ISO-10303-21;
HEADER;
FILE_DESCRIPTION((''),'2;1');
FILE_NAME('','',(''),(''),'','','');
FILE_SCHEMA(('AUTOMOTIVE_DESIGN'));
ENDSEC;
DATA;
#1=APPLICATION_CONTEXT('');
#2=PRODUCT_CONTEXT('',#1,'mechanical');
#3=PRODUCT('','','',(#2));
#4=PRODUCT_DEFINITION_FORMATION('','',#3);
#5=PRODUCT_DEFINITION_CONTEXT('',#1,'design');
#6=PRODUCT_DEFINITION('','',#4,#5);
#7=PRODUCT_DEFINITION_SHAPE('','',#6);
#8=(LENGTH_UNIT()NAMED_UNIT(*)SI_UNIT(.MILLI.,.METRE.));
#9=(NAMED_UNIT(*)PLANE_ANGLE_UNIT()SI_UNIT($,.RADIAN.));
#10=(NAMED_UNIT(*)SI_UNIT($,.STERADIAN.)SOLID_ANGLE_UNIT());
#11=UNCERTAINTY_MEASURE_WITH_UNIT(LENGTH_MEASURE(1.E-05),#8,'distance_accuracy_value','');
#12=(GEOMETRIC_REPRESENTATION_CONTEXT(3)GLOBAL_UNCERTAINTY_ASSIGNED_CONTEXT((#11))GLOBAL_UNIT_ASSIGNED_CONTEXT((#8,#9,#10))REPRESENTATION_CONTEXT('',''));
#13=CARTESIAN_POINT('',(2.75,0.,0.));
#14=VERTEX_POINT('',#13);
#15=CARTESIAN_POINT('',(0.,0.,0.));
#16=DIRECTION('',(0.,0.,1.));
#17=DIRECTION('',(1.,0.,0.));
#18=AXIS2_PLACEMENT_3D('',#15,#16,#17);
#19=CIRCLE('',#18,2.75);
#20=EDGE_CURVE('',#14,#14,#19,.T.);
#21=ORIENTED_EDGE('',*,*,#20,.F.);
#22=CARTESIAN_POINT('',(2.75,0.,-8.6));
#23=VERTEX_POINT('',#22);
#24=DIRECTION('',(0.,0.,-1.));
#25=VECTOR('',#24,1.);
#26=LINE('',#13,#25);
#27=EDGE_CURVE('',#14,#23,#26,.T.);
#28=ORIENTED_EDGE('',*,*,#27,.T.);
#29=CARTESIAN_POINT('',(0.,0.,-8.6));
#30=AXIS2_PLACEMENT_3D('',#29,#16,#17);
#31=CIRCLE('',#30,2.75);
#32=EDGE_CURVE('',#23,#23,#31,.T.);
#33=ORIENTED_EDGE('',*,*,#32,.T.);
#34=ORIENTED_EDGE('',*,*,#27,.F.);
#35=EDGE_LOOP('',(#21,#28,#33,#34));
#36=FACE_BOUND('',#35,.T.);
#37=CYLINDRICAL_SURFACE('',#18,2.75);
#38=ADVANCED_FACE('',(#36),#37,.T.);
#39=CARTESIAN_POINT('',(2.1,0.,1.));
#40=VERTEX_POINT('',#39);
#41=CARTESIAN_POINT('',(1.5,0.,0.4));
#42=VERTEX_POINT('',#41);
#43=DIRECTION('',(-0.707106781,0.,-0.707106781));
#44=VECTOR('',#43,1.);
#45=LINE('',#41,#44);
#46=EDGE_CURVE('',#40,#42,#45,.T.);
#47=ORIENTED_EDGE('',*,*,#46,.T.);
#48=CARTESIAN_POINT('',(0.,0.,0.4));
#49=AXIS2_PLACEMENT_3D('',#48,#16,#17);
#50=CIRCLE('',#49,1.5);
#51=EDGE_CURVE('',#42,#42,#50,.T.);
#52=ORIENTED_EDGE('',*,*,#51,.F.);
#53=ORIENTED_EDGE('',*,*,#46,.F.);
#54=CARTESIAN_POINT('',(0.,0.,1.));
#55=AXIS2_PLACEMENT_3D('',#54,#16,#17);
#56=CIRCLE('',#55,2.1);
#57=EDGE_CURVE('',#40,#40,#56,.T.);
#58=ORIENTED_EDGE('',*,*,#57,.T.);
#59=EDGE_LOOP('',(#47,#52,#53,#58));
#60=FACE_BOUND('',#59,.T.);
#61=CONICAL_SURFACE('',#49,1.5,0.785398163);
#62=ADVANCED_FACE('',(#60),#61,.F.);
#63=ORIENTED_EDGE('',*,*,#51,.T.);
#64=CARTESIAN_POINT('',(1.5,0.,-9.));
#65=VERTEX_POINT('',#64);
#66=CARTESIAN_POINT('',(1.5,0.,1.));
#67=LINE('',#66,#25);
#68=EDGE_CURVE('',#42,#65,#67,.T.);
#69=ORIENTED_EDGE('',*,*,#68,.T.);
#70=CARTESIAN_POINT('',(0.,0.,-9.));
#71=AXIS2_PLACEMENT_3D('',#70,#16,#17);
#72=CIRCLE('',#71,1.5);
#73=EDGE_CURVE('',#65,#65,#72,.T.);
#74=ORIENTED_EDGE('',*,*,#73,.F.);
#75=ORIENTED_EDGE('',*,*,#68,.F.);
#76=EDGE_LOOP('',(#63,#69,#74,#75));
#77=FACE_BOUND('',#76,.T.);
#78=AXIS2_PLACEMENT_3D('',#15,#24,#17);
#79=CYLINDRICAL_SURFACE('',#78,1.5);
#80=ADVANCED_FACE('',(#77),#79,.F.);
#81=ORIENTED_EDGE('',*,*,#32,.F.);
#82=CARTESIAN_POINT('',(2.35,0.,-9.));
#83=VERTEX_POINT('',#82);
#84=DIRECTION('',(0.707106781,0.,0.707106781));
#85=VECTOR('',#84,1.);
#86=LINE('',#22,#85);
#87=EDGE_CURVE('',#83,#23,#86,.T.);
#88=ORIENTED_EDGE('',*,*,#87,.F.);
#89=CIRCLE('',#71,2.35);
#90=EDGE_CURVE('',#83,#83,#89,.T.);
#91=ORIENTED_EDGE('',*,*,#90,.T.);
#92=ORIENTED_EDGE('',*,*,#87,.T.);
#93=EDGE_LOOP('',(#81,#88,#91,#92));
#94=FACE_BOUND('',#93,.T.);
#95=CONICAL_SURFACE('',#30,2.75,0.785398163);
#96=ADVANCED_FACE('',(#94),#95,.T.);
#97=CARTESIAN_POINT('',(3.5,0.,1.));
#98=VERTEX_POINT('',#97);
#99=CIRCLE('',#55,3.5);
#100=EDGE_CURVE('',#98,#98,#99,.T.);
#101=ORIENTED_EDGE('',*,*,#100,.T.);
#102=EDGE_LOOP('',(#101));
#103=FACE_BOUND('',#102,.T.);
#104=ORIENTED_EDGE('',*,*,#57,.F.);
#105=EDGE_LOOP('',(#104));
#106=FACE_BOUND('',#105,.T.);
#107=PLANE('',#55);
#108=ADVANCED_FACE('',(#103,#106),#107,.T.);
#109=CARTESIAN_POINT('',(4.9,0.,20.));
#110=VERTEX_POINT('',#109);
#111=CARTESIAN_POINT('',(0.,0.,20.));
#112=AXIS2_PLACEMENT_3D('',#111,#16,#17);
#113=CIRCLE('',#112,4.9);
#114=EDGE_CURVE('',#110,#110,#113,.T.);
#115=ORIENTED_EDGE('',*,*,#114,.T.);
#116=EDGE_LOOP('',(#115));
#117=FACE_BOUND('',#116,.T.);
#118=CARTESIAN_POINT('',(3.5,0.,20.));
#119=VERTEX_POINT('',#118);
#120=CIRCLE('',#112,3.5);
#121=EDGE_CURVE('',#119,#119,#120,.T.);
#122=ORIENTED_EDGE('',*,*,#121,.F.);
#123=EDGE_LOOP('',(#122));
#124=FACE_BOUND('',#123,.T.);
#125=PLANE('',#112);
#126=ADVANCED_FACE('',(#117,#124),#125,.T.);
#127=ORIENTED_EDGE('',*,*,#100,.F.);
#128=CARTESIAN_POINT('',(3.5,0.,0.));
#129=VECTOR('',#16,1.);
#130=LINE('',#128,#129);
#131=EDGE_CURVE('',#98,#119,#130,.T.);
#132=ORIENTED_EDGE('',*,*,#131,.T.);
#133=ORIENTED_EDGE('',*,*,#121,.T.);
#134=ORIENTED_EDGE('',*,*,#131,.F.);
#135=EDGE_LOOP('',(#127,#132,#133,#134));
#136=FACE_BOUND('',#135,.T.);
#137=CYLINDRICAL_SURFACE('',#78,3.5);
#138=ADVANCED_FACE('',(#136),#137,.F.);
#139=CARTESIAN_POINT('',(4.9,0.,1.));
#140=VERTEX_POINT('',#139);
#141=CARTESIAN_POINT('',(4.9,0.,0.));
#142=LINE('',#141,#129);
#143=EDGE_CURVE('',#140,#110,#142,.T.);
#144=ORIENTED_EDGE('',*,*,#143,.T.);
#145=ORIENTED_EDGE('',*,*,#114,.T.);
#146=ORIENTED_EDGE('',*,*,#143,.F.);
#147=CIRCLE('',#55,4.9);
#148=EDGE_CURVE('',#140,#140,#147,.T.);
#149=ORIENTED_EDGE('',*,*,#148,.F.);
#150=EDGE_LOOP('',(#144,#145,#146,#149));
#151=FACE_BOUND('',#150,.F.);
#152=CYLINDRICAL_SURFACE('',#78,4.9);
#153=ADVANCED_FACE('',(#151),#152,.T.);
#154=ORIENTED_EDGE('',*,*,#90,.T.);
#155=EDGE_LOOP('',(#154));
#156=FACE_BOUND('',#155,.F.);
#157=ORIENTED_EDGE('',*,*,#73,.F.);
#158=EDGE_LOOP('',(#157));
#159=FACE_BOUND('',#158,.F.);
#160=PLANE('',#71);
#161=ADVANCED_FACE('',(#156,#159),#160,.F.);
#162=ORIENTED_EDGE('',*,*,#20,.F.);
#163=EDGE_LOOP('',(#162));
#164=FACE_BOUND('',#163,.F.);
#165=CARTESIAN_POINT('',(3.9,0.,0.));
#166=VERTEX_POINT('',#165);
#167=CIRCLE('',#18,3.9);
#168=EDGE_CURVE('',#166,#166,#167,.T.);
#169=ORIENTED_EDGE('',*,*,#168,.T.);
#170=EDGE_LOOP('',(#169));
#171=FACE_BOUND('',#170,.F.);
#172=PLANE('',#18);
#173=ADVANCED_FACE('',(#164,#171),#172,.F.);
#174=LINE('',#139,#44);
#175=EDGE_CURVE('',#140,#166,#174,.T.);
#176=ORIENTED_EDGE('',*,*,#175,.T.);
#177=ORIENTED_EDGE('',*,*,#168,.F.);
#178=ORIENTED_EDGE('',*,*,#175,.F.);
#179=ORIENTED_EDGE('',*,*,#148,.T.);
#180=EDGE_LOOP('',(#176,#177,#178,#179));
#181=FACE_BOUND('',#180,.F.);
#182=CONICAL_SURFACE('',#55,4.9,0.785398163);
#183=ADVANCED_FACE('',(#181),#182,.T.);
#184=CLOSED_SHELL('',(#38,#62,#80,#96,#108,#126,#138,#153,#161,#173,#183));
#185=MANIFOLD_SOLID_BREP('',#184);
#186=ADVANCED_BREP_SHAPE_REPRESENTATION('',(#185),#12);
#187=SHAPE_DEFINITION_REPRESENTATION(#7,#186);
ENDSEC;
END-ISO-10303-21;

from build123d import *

# Parameters (mm, degrees)
F0_R     = 2.75
F0_R_2   = 1.5
F1_DEPTH = 9
F0_R_3   = 3.5
F2_DEPTH = 1
F0_R_4   = 4.9
F3_DEPTH = 20
F4_SIZE  = 1
F5_SIZE  = 0.6
F6_SIZE  = 0.4


with BuildPart() as f1:
    # F0 (on Top) → F1 (new body)
    with BuildSketch(Plane.XY):
        Circle(F0_R)
        Circle(F0_R_2, mode=Mode.SUBTRACT)
    extrude(amount=-F1_DEPTH)

    # F0 (on Top) → F2 (join)
    with BuildSketch(Plane.XY):
        Circle(F0_R_3)
        Circle(F0_R, mode=Mode.SUBTRACT)
        Circle(F0_R)
        Circle(F0_R_2, mode=Mode.SUBTRACT)
    extrude(amount=F2_DEPTH)

    # F0 (on Top) → F3 (join)
    with BuildSketch(Plane.XY):
        Circle(F0_R_4)
        Circle(F0_R_3, mode=Mode.SUBTRACT)
    extrude(amount=F3_DEPTH)

    # F4
    f4_edges = [f1.edges().sort_by_distance(p)[0] for p in [
        (-4.9, 0, 0),
    ]]
    chamfer(f4_edges, length=F4_SIZE)

    # F5
    f5_edges = [f1.edges().sort_by_distance(p)[0] for p in [
        (-1.5, 0, 1),
    ]]
    chamfer(f5_edges, length=F5_SIZE)

    # F6
    f6_edges = [f1.edges().sort_by_distance(p)[0] for p in [
        (-2.75, 0, -9),
    ]]
    chamfer(f6_edges, length=F6_SIZE)


solid = f1.part
